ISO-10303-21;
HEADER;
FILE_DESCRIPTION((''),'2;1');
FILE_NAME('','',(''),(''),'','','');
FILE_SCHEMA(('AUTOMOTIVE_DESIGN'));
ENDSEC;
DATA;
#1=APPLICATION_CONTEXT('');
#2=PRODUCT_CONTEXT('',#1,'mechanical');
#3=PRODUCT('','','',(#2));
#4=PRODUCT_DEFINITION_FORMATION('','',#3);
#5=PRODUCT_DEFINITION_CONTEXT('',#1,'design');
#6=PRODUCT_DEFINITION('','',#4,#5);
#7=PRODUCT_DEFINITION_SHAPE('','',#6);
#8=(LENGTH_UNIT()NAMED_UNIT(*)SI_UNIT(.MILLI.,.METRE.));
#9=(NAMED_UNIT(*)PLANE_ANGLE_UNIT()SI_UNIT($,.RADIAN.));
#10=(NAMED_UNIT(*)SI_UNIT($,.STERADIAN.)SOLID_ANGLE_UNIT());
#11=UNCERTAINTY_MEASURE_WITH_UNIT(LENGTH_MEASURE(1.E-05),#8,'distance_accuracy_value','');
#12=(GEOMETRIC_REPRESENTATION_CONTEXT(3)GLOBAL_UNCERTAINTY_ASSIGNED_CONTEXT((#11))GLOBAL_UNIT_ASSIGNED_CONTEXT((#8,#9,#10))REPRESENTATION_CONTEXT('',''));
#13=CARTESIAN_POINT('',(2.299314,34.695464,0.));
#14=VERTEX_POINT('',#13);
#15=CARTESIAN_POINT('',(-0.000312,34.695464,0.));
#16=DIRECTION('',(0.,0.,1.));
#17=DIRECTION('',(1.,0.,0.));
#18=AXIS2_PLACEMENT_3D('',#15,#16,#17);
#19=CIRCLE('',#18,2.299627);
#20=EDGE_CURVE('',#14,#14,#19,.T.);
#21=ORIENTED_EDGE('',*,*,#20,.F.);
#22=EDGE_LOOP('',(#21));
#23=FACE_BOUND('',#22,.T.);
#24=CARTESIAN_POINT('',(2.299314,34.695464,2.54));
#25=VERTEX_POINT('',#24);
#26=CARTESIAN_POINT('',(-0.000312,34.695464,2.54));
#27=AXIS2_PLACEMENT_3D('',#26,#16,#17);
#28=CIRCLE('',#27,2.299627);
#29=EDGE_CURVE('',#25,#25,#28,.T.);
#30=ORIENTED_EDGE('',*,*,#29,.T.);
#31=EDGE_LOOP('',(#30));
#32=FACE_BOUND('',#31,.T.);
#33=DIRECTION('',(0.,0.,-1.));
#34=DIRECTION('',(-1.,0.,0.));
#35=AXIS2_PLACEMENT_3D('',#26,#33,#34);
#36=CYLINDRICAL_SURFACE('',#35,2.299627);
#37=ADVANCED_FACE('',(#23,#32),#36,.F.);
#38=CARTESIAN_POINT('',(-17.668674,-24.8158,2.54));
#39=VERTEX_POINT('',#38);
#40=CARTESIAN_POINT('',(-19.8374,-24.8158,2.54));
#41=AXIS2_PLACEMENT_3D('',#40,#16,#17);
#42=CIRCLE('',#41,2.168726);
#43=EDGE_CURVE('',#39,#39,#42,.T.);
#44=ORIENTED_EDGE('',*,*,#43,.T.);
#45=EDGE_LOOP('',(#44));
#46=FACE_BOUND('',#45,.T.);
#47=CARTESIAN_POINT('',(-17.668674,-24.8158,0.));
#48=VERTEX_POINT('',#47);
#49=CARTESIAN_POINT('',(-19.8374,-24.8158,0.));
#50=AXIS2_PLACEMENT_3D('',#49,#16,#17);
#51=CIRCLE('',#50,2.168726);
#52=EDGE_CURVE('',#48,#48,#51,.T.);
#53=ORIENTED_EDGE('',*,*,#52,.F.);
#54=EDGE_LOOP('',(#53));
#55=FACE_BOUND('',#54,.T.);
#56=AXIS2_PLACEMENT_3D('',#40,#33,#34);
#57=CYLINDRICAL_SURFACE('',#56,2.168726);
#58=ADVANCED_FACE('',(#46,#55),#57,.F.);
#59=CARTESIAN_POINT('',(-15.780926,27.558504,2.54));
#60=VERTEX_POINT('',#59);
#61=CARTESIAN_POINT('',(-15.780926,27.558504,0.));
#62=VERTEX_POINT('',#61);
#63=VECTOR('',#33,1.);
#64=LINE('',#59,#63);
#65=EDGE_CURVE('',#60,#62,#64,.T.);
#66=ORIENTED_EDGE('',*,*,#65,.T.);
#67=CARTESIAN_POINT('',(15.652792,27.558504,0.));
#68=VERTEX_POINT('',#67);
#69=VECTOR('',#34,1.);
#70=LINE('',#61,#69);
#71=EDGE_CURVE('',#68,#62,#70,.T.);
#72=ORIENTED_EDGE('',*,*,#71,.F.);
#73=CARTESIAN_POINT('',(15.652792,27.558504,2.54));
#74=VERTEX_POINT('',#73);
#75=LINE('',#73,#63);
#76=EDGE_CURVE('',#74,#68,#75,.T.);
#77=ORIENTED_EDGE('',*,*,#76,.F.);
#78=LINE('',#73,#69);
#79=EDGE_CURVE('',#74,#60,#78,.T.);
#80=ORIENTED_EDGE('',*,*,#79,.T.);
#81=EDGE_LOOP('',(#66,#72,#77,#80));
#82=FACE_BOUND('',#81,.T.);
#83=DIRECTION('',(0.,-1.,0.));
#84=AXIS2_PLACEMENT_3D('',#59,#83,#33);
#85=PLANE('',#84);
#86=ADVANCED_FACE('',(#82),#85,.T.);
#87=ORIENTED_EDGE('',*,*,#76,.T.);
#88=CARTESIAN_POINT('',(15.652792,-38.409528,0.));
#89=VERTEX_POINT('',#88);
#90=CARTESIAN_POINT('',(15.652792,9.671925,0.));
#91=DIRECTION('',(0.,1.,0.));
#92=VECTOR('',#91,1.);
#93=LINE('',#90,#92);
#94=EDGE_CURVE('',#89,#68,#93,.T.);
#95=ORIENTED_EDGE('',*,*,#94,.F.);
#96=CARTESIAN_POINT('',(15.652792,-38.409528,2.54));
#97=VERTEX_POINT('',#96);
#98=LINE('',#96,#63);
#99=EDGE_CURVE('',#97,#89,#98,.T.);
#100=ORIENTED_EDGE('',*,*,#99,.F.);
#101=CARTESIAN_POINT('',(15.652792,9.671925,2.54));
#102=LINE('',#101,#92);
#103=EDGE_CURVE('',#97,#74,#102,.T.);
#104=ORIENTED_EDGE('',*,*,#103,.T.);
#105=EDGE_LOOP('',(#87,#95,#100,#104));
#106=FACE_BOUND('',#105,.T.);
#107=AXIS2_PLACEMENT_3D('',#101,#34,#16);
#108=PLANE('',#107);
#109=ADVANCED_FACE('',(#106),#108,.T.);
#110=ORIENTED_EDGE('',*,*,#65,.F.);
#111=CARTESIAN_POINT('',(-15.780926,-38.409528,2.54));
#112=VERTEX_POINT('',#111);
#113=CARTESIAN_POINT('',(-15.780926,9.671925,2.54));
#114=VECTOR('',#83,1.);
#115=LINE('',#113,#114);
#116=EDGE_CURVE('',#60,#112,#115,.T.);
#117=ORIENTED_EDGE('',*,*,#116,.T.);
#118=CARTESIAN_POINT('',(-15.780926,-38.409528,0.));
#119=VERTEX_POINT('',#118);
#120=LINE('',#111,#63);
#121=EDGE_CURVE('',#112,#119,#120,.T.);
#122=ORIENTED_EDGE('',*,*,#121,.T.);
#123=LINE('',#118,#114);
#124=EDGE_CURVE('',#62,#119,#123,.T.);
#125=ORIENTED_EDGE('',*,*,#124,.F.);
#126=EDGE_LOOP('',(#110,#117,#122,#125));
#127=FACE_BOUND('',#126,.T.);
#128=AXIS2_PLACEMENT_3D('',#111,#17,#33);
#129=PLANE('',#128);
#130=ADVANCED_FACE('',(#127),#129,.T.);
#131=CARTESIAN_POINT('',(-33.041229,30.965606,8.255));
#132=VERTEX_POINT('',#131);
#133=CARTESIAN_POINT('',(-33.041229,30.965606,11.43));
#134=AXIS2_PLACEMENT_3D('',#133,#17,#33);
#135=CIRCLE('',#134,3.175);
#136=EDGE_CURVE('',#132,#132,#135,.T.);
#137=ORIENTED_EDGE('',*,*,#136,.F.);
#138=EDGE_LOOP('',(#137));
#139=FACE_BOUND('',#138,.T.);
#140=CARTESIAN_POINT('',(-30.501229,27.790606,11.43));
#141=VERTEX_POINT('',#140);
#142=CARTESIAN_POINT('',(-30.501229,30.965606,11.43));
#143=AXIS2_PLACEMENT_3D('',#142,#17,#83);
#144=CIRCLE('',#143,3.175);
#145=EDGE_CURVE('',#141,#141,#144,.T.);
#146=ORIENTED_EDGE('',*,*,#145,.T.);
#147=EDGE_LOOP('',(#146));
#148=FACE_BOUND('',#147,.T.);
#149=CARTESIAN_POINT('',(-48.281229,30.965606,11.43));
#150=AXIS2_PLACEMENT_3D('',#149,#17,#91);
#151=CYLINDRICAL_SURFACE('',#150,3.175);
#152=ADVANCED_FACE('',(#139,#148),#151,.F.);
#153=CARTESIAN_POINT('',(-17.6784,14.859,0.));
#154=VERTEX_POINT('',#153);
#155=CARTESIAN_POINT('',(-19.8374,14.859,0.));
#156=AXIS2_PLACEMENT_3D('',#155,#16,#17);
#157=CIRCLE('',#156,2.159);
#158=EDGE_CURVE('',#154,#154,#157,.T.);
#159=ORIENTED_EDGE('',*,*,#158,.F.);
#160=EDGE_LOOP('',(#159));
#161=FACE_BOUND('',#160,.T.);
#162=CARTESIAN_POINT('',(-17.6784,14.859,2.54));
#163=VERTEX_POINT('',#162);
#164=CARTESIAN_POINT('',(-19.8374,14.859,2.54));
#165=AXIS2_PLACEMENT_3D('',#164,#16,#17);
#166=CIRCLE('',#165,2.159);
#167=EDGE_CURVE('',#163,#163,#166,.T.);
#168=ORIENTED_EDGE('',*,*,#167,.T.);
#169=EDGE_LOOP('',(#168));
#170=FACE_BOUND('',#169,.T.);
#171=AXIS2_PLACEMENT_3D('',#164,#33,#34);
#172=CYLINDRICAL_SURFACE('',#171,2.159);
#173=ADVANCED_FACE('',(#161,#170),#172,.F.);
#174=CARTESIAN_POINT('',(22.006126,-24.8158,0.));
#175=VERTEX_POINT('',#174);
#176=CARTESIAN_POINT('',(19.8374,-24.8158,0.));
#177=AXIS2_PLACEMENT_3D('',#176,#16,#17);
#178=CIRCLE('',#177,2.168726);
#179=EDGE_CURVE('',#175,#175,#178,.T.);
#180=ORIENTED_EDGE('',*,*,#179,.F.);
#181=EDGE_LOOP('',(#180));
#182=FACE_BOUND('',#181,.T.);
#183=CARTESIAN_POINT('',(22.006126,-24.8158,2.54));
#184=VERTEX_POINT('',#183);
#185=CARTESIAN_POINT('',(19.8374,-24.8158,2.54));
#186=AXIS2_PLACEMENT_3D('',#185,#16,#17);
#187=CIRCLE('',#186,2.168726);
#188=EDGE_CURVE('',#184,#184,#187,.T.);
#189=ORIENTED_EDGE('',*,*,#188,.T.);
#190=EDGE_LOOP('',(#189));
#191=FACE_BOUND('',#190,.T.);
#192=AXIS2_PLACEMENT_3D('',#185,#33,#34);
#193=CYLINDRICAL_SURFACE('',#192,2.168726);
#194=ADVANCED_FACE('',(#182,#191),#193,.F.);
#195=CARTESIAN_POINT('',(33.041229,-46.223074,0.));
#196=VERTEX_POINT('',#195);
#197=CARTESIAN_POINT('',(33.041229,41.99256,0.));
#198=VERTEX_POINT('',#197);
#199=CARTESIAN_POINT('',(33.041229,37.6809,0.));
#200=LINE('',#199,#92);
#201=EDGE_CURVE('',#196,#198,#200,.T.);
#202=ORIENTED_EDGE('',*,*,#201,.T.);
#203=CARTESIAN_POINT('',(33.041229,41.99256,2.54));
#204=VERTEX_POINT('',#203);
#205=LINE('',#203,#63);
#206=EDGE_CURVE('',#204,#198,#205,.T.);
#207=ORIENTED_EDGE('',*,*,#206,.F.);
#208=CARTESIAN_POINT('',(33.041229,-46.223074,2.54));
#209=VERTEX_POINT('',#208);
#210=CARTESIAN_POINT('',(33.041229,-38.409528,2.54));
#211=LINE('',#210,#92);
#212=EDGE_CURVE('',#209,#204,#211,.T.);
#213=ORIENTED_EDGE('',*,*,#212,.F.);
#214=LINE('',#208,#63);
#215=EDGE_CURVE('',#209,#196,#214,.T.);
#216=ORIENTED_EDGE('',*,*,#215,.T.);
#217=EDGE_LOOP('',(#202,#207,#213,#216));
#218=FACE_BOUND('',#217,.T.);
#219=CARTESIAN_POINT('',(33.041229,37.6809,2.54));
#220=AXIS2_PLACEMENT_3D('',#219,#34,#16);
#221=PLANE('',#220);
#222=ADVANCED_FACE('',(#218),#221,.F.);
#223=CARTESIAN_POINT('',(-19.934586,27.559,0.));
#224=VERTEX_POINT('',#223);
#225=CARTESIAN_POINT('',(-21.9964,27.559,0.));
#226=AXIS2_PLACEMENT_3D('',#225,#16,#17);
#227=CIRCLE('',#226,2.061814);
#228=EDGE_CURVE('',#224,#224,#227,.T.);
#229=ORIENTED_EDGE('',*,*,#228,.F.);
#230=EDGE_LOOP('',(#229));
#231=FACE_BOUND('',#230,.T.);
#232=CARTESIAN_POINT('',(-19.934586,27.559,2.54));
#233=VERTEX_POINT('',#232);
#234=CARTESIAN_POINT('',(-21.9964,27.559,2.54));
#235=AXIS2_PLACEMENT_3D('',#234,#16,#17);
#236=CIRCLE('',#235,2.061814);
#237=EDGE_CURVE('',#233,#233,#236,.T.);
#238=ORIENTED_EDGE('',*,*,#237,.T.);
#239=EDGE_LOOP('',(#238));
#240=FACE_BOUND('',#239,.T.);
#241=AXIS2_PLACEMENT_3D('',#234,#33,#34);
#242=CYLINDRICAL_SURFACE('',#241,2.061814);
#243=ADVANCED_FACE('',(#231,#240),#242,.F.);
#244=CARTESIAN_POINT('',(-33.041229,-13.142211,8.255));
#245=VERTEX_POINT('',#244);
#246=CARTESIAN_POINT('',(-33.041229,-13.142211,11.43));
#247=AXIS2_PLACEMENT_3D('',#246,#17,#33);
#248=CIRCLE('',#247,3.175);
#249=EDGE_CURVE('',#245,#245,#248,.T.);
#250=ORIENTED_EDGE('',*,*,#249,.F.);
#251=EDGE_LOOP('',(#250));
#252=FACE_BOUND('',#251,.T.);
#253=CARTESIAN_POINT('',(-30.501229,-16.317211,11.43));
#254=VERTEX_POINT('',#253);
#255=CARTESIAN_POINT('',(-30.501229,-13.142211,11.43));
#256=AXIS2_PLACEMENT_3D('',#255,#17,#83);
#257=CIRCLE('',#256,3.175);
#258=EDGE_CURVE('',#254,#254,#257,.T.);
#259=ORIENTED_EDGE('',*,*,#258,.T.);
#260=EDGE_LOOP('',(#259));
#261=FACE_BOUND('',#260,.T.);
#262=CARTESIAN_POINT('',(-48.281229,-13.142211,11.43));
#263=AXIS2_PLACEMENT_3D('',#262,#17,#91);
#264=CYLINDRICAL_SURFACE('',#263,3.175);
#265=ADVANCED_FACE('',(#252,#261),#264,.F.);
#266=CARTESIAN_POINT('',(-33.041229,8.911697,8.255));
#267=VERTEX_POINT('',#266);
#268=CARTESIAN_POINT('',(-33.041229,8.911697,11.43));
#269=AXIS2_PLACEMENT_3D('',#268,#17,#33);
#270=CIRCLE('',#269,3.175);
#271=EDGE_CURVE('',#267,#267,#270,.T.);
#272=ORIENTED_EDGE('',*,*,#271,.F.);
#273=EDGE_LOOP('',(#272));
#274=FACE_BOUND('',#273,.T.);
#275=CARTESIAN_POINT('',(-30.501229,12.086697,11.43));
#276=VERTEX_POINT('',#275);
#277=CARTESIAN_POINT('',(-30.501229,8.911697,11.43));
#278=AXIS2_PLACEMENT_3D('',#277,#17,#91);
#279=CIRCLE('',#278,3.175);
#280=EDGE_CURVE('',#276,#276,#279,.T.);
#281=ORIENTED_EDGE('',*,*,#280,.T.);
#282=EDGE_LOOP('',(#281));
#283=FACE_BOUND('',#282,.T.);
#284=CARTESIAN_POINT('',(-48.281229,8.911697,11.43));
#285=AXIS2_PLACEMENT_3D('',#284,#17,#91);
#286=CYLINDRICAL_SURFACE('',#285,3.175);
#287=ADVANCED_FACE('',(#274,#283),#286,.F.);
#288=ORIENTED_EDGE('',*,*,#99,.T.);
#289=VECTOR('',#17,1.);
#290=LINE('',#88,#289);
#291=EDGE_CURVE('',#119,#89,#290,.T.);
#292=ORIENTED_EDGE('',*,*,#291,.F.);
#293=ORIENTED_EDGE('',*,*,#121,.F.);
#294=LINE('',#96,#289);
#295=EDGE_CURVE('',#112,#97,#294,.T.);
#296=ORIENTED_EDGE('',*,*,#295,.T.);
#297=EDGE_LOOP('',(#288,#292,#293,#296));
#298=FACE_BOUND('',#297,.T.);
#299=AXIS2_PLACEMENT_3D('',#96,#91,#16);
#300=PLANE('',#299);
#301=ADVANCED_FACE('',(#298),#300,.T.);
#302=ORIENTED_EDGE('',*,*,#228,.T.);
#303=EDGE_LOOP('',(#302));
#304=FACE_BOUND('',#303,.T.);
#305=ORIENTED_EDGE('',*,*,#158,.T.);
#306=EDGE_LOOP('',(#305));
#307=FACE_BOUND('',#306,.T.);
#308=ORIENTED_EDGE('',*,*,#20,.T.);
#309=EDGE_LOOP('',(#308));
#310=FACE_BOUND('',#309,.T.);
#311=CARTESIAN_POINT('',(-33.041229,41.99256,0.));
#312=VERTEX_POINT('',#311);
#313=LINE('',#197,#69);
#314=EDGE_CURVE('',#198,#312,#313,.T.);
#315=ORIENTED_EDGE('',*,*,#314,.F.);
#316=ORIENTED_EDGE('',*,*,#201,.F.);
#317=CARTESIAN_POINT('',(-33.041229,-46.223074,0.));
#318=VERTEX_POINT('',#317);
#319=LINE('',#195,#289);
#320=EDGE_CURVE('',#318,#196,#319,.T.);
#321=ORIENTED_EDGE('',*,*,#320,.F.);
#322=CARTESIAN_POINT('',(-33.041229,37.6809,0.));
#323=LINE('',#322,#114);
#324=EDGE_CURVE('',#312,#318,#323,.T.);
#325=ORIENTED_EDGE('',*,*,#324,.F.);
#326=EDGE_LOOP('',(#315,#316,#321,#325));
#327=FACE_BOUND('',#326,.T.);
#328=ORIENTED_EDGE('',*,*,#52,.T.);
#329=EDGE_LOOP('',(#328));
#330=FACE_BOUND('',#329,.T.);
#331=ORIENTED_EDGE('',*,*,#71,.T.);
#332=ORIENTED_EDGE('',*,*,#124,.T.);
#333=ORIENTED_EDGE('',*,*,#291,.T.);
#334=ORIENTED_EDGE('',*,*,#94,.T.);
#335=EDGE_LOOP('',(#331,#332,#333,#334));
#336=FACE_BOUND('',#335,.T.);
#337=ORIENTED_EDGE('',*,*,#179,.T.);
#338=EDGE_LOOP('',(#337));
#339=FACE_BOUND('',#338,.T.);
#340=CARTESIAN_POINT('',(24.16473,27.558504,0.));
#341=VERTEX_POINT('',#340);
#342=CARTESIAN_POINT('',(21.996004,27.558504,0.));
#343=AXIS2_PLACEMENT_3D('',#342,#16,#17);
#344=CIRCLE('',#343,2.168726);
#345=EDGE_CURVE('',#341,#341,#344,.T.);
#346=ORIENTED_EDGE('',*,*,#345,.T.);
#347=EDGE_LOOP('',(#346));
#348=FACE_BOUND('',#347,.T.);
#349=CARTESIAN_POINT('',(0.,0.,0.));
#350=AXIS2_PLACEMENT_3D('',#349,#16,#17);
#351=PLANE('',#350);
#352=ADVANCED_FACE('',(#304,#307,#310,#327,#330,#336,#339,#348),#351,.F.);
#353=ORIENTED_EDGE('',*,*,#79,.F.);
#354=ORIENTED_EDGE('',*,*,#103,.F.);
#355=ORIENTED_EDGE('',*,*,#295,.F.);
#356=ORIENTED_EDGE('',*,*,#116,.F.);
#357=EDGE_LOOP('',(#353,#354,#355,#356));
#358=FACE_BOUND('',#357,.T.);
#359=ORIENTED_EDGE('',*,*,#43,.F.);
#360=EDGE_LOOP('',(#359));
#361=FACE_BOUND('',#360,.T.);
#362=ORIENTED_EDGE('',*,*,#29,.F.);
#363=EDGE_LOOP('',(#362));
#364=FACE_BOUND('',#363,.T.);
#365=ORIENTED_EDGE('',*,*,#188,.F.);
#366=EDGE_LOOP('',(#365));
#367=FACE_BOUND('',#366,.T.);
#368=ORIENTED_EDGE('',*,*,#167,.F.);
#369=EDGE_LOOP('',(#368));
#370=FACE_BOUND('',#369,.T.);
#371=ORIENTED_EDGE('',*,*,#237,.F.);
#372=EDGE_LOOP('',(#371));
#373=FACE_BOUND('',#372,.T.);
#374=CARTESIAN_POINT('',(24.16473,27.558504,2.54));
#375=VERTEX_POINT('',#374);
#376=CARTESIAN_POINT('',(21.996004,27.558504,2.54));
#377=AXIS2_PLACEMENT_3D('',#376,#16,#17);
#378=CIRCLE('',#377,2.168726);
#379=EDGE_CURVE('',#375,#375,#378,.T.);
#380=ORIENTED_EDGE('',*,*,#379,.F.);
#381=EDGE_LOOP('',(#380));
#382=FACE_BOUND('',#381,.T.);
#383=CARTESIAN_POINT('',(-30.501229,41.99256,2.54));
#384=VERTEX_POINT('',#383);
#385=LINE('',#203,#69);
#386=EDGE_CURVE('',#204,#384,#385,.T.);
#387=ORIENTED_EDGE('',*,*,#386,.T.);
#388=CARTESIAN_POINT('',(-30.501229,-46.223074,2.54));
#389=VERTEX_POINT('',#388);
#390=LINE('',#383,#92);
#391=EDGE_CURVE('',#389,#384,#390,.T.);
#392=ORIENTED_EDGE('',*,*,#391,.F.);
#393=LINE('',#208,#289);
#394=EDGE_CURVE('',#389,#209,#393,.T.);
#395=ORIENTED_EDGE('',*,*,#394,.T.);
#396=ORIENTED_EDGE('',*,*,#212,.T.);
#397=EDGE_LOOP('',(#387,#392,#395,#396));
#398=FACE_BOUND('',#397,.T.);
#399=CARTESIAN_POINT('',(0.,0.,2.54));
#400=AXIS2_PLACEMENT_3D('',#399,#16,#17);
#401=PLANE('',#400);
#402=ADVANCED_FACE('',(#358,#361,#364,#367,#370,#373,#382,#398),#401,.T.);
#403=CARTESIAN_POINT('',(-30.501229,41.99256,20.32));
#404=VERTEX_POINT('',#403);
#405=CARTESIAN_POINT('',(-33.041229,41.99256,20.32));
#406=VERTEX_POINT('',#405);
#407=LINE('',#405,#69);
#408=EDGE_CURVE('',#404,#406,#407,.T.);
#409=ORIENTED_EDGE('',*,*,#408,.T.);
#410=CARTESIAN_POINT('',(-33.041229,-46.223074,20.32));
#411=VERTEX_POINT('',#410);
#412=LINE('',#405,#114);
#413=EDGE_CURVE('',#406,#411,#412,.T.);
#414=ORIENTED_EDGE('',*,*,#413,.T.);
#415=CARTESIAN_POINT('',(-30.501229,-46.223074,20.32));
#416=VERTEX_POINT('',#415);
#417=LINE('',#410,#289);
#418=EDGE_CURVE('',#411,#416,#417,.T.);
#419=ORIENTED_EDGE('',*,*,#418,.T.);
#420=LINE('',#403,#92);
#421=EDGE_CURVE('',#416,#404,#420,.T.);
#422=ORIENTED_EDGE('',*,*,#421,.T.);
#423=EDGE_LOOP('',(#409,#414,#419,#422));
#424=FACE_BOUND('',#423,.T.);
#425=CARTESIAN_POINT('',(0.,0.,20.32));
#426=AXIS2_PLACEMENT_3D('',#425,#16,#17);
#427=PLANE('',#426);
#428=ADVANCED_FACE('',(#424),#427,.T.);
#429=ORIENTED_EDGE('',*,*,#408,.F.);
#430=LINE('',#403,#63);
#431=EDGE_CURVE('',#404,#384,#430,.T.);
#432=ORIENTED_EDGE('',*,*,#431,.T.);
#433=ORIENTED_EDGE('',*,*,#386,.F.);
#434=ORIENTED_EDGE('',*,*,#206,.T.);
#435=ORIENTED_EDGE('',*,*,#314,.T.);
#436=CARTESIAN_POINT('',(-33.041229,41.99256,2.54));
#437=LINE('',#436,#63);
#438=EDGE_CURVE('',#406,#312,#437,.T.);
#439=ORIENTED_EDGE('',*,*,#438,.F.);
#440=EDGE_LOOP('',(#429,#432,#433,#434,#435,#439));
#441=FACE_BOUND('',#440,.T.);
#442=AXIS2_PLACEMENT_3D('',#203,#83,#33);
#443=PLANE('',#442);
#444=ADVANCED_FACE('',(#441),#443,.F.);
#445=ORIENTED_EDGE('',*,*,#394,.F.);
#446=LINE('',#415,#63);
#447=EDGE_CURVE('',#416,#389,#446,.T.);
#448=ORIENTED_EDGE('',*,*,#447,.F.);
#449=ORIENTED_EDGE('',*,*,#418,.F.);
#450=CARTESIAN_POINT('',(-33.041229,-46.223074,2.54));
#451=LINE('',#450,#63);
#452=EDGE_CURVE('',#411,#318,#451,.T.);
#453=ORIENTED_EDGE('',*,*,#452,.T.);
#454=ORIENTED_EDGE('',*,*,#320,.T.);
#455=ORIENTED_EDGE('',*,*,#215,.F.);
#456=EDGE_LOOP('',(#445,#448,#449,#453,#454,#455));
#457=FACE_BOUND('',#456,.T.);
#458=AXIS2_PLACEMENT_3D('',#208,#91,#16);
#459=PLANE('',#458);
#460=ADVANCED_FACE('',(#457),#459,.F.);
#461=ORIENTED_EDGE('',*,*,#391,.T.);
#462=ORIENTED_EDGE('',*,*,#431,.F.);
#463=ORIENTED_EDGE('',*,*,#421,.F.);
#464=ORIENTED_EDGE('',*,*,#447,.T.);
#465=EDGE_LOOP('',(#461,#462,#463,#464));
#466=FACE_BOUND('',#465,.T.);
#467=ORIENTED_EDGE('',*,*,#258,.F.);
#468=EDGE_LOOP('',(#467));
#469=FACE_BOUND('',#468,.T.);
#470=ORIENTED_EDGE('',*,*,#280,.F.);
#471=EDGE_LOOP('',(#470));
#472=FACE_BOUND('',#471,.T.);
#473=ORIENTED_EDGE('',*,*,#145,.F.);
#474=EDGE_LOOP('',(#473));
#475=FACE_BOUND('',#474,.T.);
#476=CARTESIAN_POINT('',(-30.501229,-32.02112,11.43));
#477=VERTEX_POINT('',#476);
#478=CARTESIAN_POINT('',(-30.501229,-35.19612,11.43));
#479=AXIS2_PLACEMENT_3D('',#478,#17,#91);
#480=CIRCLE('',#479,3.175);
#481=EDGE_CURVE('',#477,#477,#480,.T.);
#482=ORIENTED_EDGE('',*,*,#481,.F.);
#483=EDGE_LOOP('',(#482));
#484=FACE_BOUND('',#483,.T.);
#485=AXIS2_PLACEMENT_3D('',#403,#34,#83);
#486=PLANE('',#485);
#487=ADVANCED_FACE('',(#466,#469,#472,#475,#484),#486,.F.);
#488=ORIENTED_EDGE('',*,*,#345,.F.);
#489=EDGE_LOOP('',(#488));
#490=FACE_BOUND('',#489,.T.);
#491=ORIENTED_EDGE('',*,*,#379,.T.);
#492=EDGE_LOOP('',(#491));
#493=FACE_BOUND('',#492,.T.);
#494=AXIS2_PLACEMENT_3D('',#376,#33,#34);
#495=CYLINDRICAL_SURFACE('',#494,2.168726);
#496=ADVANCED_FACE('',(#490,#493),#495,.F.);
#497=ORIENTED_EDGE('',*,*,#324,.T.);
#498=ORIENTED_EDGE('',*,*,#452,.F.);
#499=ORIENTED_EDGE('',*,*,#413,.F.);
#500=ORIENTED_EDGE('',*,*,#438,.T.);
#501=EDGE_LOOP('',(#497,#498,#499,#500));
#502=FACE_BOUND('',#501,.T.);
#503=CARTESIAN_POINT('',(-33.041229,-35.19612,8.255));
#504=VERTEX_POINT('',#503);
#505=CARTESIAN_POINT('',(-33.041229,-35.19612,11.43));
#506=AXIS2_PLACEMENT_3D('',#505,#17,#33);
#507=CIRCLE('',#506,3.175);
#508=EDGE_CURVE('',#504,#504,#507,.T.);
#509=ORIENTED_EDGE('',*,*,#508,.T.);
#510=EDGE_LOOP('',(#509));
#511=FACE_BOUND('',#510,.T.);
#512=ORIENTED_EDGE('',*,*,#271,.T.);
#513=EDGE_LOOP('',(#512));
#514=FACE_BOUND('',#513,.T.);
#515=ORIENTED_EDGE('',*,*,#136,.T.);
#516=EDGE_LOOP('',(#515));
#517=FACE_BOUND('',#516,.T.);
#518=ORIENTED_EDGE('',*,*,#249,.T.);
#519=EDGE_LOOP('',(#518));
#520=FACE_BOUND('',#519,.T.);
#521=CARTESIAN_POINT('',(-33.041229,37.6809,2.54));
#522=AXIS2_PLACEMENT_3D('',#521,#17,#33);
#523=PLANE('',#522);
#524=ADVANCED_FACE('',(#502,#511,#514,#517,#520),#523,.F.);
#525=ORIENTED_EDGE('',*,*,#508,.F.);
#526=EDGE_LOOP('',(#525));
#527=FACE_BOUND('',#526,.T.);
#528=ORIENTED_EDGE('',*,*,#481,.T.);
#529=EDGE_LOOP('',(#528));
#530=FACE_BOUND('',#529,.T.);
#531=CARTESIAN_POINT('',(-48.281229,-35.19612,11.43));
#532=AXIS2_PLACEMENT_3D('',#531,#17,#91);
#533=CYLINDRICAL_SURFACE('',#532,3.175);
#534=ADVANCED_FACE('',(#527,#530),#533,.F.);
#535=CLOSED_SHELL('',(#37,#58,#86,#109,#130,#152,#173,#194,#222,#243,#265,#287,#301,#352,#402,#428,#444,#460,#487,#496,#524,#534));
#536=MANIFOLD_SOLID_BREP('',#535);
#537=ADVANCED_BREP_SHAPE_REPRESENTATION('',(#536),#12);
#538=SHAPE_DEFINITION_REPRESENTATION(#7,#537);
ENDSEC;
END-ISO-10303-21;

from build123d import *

# Parameters (mm, degrees)
SKETCH2_R           = 2.168725958
SKETCH2_R_2         = 2.299626563
SKETCH2_R_3         = 2.061813599
SKETCH2_R_4         = 2.159
BOSS_EXTRUDE1_DEPTH = 2.54
SKETCH3_W           = 2.54
SKETCH3_H           = 88.215633797
BOSS_EXTRUDE2_DEPTH = 17.78
SKETCH5_R           = 3.175
CUT_EXTRUDE2_DEPTH  = 17.78


with BuildPart() as part:
    # Sketch2 → Boss-Extrude1 (new body)
    with BuildSketch(Plane.XY):
        Polygon((33.041228817, 37.6809), (33.041228817, 9.671924958), (33.041228817, -38.409527683), (33.041228817, -46.223073917), (-33.041228817, -46.223073917), (-33.041228817, -38.409527683), (-33.041228817, 9.671924958), (-33.041228817, 37.6809), (-33.041228817, 41.99255988), (33.041228817, 41.99255988), align=None)
        with Locations((19.8374, -24.8158)):
            Circle(SKETCH2_R, mode=Mode.SUBTRACT)
        with Locations((21.996003552, 27.558503658)):
            Circle(SKETCH2_R, mode=Mode.SUBTRACT)
        with Locations((-0.000312071, 34.695463786)):
            Circle(SKETCH2_R_2, mode=Mode.SUBTRACT)
        with Locations((-21.9964, 27.559)):
            Circle(SKETCH2_R_3, mode=Mode.SUBTRACT)
        with Locations((-19.8374, 14.859)):
            Circle(SKETCH2_R_4, mode=Mode.SUBTRACT)
        with Locations((-19.8374, -24.8158)):
            Circle(SKETCH2_R, mode=Mode.SUBTRACT)
        Polygon((15.652792396, 9.671924958), (15.652792396, 27.558503658), (-13.85744492, 27.558503658), (-15.780925581, 27.558503658), (-15.780925581, 9.671924958), (-15.780925581, -38.409527683), (15.652792396, -38.409527683), align=None, mode=Mode.SUBTRACT)
    extrude(amount=BOSS_EXTRUDE1_DEPTH)

    # Sketch3 → Boss-Extrude2 (add)
    with BuildSketch(Plane.XY.offset(2.54)):
        with Locations((-31.771228817, -2.115257018)):
            Rectangle(SKETCH3_W, SKETCH3_H)
    extrude(amount=BOSS_EXTRUDE2_DEPTH)

    # Sketch5 → Cut-Extrude2 (cut)
    with BuildSketch(Plane(origin=(-30.501228817, 0, 0), x_dir=(0, 0, -1), z_dir=(1, 0, 0))):
        with Locations((-11.43, -35.196119692)):
            Circle(SKETCH5_R)
        with Locations((-11.43, -13.142211243)):
            Circle(SKETCH5_R)
        with Locations((-11.43, 8.911697206)):
            Circle(SKETCH5_R)
        with Locations((-11.43, 30.965605655)):
            Circle(SKETCH5_R)
    extrude(amount=-CUT_EXTRUDE2_DEPTH, mode=Mode.SUBTRACT)


solid = part.part
